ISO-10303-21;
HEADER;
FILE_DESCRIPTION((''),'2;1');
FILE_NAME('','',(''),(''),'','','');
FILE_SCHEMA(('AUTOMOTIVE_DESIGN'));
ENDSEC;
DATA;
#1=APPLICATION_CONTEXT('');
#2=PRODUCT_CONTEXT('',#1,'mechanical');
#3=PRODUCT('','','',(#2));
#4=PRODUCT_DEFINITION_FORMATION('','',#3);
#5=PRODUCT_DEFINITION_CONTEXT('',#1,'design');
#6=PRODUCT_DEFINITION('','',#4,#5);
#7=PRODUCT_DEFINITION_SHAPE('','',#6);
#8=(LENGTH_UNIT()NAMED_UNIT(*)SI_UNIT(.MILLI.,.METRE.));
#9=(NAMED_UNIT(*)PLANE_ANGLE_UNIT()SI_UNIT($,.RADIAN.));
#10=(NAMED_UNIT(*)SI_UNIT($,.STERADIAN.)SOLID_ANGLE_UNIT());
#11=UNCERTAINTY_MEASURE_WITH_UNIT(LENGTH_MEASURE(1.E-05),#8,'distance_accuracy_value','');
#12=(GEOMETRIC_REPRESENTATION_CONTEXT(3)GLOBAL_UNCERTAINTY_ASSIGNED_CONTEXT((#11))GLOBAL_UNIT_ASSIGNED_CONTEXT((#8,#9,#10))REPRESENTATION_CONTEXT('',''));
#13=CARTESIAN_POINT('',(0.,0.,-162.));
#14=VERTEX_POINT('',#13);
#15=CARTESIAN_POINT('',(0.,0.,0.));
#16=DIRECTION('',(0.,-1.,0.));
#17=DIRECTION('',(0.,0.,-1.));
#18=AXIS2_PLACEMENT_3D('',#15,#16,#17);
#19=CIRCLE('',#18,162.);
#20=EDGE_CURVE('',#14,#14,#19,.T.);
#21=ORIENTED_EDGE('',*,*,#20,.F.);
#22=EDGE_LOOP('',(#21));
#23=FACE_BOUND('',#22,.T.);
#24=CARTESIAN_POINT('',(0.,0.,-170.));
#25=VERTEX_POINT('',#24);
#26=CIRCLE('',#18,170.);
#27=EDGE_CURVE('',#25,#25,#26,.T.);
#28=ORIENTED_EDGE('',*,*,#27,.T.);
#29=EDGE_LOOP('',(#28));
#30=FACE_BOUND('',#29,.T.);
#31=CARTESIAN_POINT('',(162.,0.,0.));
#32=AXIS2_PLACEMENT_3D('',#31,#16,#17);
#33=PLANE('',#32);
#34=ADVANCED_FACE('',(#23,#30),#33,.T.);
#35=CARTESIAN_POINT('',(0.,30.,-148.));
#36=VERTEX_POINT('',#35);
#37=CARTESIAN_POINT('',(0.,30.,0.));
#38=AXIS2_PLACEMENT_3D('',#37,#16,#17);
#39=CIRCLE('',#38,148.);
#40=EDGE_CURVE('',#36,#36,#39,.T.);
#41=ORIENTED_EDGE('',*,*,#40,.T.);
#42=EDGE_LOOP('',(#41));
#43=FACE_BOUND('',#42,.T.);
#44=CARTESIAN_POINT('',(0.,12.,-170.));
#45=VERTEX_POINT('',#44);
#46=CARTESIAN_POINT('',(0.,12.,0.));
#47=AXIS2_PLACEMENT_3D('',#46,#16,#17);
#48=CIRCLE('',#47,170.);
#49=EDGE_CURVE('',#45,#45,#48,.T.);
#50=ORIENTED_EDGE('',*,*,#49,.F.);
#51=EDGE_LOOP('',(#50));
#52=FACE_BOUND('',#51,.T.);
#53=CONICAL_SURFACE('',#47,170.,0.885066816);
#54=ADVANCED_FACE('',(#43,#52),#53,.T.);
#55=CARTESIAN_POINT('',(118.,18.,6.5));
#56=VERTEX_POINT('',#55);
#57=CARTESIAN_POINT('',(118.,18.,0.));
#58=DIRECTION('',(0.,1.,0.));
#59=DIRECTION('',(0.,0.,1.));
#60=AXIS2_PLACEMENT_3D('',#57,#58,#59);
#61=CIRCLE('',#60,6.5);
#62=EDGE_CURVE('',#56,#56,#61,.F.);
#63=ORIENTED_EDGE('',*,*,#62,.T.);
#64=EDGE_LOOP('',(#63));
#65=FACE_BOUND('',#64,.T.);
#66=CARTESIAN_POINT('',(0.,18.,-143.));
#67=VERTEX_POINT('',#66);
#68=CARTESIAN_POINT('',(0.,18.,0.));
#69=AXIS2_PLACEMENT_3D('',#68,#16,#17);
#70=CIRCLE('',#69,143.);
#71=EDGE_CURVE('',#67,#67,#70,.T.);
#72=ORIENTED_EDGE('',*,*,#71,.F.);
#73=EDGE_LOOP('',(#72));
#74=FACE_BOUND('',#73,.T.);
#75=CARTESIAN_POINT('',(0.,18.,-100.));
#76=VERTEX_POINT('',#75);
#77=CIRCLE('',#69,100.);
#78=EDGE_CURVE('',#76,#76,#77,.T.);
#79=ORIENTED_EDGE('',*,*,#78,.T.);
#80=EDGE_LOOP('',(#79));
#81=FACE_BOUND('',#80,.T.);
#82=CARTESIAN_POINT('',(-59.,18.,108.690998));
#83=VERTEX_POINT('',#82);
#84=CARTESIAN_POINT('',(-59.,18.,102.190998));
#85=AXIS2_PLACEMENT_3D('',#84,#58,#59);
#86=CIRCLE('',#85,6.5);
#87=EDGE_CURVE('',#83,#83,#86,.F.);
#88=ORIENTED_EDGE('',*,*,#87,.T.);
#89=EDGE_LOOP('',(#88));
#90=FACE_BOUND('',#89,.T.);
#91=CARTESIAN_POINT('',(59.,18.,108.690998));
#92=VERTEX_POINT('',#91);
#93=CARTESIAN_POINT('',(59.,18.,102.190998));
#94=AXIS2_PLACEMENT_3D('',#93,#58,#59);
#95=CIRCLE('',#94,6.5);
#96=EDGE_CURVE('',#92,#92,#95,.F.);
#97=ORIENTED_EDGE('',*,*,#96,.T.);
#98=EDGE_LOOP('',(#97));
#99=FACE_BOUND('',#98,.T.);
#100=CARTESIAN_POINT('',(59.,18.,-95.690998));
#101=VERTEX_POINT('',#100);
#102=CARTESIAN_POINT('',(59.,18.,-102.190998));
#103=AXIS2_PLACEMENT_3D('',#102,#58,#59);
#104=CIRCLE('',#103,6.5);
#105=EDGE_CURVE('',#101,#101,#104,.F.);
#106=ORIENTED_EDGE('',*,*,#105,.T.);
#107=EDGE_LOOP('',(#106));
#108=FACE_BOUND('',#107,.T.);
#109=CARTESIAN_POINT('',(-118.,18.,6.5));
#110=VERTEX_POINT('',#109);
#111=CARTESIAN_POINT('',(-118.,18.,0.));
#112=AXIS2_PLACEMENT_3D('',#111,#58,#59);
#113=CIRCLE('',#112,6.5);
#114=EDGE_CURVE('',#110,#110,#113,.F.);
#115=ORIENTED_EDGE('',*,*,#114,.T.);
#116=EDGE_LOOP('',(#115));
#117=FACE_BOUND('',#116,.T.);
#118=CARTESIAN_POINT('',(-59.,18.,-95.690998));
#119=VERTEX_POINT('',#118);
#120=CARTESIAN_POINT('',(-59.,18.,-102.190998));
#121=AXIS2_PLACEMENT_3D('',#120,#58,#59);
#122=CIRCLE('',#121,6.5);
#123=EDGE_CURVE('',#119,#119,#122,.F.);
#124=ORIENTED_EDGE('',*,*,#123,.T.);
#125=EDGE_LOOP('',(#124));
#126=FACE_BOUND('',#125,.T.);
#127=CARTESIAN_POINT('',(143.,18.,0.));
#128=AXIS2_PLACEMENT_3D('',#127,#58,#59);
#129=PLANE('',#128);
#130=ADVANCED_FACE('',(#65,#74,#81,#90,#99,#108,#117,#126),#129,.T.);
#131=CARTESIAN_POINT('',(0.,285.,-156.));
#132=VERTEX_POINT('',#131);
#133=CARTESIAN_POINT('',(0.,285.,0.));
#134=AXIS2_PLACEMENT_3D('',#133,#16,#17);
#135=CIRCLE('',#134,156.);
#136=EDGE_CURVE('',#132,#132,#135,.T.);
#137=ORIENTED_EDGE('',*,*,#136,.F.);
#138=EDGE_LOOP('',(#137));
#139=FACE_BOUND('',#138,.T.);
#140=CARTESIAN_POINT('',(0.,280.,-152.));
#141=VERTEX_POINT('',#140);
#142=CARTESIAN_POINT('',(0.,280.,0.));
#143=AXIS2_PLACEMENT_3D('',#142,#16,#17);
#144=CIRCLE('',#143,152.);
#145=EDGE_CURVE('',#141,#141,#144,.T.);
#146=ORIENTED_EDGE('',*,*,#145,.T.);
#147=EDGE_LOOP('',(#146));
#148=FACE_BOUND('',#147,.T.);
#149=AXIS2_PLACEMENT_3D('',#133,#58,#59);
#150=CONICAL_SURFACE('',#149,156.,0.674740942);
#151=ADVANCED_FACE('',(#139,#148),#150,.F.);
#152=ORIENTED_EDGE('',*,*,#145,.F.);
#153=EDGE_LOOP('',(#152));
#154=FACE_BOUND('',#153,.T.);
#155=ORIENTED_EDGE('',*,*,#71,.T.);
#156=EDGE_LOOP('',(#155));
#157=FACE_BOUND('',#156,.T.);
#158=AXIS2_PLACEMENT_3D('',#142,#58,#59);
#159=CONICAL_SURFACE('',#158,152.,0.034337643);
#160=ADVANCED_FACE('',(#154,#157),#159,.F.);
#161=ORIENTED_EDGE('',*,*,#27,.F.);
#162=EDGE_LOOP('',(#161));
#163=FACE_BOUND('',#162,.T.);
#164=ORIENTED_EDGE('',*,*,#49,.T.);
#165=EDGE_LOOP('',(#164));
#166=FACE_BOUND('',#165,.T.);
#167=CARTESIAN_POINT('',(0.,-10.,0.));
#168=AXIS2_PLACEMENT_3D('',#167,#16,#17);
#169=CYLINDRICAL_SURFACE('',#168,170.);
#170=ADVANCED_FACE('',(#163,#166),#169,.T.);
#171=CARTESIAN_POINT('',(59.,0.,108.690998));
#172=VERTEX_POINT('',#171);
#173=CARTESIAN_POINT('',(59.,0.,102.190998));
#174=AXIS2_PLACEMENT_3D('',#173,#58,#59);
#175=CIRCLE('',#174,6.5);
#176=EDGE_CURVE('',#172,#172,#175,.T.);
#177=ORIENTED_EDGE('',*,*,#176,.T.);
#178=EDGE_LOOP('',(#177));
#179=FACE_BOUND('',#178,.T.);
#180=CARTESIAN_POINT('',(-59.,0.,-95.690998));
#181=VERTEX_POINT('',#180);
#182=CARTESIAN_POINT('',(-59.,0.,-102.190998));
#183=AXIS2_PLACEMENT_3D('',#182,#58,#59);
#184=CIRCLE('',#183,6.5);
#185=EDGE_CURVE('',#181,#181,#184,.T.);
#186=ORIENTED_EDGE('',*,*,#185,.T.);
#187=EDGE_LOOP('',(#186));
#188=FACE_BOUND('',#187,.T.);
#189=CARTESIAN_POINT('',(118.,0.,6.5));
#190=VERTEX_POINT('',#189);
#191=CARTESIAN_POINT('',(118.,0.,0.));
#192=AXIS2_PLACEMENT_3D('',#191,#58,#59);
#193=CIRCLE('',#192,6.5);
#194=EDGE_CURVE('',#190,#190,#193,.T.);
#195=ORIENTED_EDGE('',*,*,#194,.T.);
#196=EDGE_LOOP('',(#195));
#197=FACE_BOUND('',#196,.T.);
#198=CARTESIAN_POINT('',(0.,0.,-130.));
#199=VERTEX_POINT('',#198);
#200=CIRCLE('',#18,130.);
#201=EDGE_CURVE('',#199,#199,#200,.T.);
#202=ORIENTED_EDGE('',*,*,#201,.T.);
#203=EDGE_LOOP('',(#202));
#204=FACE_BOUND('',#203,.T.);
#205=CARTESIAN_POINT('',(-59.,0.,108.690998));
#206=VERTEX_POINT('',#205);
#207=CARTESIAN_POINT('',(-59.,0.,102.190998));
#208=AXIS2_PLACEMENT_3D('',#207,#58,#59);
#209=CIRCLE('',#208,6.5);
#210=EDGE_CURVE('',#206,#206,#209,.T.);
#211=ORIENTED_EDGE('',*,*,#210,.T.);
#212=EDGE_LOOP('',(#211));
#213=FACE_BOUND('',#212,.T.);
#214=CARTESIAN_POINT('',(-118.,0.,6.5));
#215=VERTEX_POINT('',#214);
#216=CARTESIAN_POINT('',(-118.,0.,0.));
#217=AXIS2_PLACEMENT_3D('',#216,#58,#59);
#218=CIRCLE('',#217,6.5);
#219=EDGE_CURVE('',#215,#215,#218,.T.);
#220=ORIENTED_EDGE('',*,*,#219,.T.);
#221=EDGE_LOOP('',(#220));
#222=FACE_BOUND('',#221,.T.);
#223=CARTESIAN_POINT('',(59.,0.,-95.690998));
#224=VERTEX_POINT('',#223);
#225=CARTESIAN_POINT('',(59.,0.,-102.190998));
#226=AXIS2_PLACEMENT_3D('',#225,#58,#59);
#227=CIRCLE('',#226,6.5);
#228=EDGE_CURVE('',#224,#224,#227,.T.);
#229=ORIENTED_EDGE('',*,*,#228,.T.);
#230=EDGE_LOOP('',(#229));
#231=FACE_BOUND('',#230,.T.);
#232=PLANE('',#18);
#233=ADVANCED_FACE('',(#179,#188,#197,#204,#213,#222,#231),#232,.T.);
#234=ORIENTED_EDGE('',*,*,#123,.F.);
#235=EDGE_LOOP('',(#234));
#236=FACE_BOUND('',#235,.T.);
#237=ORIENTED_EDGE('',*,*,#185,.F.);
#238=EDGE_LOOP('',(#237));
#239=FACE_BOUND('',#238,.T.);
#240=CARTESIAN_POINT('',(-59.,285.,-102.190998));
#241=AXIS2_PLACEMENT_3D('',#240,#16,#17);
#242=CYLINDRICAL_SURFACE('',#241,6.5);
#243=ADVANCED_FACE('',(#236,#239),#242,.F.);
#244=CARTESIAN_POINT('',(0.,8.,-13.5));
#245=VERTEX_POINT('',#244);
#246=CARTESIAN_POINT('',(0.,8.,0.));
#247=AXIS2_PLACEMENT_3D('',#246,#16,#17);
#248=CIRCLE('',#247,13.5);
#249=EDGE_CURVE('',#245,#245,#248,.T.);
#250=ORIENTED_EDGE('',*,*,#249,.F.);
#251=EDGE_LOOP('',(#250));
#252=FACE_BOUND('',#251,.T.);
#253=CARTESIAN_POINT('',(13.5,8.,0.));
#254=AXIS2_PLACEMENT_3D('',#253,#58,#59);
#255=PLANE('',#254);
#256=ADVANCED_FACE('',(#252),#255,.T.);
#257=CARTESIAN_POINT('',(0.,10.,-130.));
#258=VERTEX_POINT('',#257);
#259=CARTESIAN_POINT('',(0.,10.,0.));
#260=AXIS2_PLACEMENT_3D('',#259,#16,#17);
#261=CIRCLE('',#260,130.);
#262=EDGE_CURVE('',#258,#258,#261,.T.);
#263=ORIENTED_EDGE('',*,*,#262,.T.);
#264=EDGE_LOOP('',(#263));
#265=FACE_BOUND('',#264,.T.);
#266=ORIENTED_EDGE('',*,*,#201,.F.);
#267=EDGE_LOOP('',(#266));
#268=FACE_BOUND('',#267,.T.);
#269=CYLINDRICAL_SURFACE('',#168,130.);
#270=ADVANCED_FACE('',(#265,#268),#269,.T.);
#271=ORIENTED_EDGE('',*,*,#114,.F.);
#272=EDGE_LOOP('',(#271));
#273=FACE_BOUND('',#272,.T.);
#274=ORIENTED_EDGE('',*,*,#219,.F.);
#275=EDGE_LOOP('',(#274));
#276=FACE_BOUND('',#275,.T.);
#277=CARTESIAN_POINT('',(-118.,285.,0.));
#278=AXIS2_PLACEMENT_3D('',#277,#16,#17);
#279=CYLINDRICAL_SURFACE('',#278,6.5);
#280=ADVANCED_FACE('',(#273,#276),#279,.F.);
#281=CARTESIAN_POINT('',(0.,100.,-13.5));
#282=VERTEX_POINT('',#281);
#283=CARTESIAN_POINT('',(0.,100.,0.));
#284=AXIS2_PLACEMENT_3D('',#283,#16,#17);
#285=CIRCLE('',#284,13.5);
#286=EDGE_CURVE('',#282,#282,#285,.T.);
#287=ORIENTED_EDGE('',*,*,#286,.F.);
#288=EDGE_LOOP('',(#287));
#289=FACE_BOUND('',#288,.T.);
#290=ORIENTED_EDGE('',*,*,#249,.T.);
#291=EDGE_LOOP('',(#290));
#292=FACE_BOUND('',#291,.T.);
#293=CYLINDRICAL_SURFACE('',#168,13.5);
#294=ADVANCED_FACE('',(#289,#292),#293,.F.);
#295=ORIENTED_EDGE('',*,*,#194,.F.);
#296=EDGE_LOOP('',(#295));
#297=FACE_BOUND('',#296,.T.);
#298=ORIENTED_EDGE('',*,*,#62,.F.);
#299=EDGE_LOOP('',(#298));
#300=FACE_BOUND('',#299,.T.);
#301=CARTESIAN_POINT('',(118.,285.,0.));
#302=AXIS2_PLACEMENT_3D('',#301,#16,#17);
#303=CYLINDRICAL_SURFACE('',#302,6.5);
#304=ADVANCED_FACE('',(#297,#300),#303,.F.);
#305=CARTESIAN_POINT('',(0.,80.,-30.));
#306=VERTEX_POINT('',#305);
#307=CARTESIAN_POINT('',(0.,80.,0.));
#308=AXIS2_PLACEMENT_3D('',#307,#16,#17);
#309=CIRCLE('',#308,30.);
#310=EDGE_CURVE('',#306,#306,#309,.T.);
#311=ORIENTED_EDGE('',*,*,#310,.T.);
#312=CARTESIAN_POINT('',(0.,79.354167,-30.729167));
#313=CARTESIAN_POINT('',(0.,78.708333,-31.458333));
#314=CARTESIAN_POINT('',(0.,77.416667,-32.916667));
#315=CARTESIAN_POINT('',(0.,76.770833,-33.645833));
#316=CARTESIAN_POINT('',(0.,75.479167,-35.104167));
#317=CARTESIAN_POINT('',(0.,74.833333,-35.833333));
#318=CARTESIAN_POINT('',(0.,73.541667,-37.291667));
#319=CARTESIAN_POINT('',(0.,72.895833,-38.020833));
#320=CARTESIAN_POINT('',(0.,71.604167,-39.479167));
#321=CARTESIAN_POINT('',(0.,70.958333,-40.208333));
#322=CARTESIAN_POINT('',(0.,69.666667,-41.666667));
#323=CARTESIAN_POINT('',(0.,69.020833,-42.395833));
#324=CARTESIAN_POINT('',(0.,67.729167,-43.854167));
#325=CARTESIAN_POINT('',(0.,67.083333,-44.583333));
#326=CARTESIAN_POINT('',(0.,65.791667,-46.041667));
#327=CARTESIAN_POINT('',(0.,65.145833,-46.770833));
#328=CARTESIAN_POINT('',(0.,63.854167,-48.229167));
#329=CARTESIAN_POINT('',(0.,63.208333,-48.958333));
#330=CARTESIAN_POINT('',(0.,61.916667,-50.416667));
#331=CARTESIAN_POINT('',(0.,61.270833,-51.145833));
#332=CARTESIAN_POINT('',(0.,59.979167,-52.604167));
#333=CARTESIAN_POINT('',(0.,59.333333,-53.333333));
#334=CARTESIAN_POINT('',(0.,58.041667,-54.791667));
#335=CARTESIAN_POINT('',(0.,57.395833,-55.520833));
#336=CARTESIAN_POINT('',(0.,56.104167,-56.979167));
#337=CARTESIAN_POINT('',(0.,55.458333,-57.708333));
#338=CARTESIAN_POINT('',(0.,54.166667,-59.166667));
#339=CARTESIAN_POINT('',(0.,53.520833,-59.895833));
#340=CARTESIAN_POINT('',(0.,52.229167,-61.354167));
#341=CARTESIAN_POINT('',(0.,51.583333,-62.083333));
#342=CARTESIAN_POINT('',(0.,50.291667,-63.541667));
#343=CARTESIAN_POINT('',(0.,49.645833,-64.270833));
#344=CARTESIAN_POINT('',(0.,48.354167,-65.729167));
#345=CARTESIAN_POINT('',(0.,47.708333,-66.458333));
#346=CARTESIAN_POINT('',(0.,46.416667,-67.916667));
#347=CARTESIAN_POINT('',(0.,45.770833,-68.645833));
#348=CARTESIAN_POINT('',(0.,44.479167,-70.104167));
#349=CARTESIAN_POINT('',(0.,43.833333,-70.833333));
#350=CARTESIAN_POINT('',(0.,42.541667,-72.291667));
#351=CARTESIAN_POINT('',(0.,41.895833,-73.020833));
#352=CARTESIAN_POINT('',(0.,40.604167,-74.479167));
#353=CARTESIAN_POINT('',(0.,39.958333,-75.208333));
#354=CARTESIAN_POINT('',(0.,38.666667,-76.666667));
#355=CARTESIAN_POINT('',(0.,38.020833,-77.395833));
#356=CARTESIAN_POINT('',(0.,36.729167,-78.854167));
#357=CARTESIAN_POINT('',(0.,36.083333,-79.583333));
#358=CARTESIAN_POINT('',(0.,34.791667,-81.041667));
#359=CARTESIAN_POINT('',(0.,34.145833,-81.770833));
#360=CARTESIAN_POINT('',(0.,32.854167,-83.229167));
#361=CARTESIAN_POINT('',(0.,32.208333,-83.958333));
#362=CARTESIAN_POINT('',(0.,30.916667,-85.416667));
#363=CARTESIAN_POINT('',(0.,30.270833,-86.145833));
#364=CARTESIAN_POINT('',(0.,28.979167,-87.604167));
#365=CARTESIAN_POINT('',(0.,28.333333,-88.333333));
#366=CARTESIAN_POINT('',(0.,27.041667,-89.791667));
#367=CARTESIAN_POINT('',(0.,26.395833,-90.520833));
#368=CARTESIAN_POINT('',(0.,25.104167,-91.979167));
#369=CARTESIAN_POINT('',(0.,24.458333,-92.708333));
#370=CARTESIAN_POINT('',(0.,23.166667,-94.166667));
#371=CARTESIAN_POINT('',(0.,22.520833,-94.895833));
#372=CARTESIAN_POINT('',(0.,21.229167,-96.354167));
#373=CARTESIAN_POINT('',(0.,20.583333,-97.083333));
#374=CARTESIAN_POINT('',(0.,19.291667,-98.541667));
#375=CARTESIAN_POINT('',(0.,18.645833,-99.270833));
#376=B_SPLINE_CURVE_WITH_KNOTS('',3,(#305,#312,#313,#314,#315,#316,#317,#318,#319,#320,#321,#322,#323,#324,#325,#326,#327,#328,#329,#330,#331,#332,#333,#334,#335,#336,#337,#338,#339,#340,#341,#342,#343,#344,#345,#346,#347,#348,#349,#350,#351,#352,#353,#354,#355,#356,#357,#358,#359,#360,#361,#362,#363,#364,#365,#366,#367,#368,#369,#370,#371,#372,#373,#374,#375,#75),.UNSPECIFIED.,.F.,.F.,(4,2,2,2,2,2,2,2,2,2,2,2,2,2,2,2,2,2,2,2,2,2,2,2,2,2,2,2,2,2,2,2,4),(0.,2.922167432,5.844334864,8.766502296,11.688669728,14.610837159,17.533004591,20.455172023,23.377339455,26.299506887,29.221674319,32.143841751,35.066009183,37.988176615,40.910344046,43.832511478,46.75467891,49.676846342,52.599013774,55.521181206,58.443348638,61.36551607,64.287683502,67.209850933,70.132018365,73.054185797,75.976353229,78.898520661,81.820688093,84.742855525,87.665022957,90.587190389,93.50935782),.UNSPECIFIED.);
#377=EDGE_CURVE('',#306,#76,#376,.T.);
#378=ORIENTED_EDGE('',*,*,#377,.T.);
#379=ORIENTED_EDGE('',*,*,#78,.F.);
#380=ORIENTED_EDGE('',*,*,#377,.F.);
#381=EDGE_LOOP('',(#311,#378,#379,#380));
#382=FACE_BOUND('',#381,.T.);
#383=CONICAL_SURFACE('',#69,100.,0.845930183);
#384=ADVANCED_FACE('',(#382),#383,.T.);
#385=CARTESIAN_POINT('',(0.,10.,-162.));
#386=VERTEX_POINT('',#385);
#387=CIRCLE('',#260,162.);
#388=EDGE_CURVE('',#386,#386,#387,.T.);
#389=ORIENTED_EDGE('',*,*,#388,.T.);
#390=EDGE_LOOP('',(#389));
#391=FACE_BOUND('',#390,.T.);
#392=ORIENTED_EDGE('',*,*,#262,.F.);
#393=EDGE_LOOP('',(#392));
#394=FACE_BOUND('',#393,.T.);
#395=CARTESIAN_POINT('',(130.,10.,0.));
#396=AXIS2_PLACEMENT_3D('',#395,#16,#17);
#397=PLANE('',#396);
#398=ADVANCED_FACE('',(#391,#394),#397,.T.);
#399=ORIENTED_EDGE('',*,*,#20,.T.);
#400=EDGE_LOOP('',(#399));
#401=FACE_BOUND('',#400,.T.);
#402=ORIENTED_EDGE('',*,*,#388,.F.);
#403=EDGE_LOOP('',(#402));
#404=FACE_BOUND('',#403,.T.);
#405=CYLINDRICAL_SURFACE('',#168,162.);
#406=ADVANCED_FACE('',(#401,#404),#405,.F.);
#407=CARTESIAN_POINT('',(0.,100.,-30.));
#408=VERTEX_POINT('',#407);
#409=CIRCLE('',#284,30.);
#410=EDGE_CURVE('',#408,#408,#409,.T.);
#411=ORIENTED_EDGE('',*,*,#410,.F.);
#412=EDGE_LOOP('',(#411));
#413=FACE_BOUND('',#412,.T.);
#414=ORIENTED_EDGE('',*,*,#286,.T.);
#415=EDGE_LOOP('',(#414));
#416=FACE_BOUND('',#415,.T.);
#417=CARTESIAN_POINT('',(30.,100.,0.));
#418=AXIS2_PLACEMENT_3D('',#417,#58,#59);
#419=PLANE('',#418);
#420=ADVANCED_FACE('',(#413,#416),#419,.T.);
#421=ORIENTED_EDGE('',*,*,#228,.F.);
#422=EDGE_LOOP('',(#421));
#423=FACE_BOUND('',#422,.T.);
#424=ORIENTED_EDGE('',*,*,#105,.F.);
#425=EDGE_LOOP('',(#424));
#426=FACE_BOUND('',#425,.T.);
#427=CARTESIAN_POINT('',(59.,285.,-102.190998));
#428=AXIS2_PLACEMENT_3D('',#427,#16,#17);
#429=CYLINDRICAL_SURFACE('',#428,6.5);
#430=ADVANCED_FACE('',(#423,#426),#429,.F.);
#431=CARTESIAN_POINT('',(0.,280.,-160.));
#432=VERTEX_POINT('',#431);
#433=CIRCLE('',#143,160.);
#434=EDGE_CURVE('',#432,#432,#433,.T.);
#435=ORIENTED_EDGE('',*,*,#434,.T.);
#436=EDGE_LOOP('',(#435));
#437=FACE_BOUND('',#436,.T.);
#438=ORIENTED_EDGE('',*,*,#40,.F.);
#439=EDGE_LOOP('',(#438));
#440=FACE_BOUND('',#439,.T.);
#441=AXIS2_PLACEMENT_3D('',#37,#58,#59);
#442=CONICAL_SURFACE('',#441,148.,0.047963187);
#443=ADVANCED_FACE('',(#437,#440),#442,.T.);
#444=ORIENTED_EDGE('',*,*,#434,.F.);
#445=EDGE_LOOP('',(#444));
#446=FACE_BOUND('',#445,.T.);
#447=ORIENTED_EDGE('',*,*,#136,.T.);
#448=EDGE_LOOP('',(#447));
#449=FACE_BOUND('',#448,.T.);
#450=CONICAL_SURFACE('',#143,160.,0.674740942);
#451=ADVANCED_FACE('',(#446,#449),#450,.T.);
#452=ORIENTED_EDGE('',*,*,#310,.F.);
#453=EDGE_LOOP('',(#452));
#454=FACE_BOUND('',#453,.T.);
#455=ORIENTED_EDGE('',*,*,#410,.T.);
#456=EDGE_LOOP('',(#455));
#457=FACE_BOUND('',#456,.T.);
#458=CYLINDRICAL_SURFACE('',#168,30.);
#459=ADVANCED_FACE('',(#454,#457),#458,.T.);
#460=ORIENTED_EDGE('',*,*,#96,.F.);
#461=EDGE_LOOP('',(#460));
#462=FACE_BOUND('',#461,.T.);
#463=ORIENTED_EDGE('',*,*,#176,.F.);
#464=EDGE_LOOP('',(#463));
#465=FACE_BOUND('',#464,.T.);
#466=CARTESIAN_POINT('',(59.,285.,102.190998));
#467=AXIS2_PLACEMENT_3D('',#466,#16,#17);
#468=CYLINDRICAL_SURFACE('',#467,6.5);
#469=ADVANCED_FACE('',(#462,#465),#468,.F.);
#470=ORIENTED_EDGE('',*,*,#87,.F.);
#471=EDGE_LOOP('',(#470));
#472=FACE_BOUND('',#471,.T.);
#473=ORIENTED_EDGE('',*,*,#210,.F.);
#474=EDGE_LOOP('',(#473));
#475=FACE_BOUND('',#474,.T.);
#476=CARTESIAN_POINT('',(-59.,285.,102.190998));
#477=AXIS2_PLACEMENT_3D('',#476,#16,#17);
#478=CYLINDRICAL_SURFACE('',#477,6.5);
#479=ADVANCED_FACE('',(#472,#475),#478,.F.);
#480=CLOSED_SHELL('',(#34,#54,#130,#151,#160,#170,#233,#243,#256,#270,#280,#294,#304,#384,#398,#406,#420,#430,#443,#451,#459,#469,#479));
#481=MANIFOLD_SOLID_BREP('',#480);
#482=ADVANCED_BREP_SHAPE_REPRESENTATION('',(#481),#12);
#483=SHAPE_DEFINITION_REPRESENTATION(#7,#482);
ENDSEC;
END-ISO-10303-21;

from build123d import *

# Parameters (mm, degrees)
SKETCH2_R                = 6.5
SIX_DRAINAGE_HOLES_DEPTH = 373.86056375


with BuildPart() as part:
    # Sketch1 → Planter Body + Central Socket (revolve)
    with BuildSketch(Plane.XY, mode=Mode.PRIVATE) as planter_body_central_socket_sk:
        Polygon((0, 0), (130, 0), (130, 10), (162, 10), (162, 0), (170, 0), (170, 12), (148, 30), (160, 280), (156, 285), (152, 280), (143, 18), (100, 18), (30, 80), (30, 100), (13.5, 100), (13.5, 8), (0, 8), align=None)
    revolve(planter_body_central_socket_sk.sketch.rotate(Axis((0, -10, 0), (0, 1, 0)), 90), axis=Axis((0, -10, 0), (0, 1, 0)))

    # Sketch2 → Six Drainage Holes (cut, through all)
    with BuildSketch(Plane(origin=(0, 0, 0), x_dir=(1, 0, 0), z_dir=(0, 1, 0))):
        with Locations(Location((118, 0, 0), (0, 0, 270))):
            Circle(SKETCH2_R)
        with Locations(Location((59, 102.190997647, 0), (0, 0, 270))):
            Circle(SKETCH2_R)
        with Locations(Location((-59, 102.190997647, 0), (0, 0, 270))):
            Circle(SKETCH2_R)
        with Locations(Location((-118, 0, 0), (0, 0, 270))):
            Circle(SKETCH2_R)
        with Locations(Location((-59, -102.190997647, 0), (0, 0, 270))):
            Circle(SKETCH2_R)
        with Locations(Location((59, -102.190997647, 0), (0, 0, 270))):
            Circle(SKETCH2_R)
    extrude(amount=SIX_DRAINAGE_HOLES_DEPTH, mode=Mode.SUBTRACT)


solid = part.part
